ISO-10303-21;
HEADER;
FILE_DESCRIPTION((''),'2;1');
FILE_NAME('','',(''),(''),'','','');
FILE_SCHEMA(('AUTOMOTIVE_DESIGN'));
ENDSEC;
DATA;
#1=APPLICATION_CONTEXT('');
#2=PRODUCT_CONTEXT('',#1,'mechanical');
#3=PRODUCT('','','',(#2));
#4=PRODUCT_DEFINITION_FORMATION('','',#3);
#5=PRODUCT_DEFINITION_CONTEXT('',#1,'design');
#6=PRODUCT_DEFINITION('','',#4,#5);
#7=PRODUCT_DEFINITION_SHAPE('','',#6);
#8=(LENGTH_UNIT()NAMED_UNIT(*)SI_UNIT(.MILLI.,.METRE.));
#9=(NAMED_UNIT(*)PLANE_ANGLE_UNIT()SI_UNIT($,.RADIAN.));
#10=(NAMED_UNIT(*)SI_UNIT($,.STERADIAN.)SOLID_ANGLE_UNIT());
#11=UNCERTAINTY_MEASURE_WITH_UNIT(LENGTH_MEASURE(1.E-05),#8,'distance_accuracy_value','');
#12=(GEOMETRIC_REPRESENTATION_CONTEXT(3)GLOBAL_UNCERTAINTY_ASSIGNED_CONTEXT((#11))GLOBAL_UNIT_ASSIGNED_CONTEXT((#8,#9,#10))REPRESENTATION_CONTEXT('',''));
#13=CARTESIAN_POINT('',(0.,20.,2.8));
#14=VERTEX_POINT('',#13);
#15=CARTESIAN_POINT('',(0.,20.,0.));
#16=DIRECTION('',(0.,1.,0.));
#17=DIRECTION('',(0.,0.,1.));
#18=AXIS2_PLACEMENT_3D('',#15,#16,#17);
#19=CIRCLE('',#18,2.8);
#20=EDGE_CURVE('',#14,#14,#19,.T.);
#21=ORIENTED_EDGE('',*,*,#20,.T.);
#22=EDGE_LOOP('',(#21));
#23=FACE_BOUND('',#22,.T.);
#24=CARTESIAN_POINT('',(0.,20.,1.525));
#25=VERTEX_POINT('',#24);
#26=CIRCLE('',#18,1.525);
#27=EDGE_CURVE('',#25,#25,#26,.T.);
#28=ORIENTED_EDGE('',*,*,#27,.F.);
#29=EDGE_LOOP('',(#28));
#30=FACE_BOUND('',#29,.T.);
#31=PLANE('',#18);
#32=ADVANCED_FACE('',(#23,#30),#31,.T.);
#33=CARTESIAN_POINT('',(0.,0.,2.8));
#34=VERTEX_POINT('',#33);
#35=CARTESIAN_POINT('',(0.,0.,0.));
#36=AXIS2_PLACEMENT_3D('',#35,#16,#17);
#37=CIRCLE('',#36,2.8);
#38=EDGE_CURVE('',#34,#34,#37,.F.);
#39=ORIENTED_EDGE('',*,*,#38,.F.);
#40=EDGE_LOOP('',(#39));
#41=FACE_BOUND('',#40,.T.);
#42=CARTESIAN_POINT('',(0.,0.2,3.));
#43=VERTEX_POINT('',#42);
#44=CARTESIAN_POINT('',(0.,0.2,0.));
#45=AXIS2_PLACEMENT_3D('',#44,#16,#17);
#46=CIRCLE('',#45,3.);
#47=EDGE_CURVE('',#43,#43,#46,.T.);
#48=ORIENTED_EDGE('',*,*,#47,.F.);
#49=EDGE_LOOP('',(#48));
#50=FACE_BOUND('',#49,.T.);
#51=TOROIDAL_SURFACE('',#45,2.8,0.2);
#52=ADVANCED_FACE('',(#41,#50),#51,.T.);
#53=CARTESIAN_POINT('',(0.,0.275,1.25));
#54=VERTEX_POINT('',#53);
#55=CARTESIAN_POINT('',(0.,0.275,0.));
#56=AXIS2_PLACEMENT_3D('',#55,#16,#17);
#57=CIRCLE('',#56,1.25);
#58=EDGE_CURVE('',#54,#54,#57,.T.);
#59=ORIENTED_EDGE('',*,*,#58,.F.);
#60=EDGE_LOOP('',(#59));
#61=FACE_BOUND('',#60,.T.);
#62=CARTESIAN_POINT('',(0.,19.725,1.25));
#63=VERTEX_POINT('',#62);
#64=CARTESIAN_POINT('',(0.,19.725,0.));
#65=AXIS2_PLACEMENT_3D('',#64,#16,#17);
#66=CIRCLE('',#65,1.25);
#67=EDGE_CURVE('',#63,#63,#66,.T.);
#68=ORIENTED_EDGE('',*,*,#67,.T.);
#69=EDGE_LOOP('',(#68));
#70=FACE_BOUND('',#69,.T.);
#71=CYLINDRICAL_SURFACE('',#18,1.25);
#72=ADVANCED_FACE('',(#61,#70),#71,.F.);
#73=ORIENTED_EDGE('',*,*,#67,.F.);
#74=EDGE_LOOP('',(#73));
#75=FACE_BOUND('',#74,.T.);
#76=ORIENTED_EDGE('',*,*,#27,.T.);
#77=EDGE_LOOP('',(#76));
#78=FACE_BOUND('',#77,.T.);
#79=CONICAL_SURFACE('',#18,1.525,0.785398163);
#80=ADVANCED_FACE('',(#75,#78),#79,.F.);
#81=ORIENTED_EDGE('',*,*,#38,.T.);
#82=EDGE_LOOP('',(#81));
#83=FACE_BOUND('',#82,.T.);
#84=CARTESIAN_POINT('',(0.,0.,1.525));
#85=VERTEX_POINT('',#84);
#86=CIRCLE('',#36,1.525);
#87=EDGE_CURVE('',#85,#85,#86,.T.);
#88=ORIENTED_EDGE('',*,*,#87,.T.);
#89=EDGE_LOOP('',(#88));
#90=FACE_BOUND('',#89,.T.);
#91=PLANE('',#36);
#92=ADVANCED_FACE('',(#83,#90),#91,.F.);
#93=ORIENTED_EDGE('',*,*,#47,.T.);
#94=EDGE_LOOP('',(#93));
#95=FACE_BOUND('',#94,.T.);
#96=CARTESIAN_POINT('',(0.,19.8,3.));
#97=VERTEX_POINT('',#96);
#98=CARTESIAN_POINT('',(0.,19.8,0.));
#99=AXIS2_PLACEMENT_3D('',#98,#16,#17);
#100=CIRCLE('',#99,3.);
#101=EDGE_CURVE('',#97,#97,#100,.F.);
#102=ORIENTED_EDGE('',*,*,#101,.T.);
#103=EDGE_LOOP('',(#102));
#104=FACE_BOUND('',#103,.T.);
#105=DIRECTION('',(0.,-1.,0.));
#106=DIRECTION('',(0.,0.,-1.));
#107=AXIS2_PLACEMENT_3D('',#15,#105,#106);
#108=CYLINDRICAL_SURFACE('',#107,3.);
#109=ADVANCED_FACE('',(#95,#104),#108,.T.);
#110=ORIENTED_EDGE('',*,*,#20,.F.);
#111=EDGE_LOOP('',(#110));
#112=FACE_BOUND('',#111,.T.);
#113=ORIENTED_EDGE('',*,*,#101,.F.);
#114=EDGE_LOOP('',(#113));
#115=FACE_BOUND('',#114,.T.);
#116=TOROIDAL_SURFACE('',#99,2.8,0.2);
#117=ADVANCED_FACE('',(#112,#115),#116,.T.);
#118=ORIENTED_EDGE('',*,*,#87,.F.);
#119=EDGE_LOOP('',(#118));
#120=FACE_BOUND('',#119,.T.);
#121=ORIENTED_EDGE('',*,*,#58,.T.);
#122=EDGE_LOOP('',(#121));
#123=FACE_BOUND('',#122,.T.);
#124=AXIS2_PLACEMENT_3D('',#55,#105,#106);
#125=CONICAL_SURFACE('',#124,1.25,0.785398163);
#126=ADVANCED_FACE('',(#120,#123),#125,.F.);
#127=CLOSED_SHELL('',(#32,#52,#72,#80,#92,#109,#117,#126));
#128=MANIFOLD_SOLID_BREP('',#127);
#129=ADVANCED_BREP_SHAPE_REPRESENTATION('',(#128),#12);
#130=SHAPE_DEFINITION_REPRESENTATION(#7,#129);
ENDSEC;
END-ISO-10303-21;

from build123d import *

# Parameters (mm, degrees)
SKETCH1_R           = 3
BOSS_EXTRUDE1_DEPTH = 20
FILLET1_R           = 0.2


with BuildPart() as part:
    # Sketch1 → Boss-Extrude1 (new body)
    with BuildSketch(Plane(origin=(0, 0, 0), x_dir=(1, 0, 0), z_dir=(0, 1, 0))):
        with Locations(Location((0, 0, 0), (0, 0, 270))):
            Circle(SKETCH1_R)
    extrude(amount=BOSS_EXTRUDE1_DEPTH)

    # Fillet1
    fillet1_edges = [part.edges().sort_by_distance(p)[0] for p in [
        (0, 0, -3),
        (0, 20, -3),
    ]]
    fillet(fillet1_edges, radius=FILLET1_R)

    # Sketch3 → M3x0.5 Tapped Hole1 (revolve, cut)
    with BuildSketch(Plane(origin=(0, 20, 0), x_dir=(0, 0, 1), z_dir=(1, 0, 0))):
        Polygon((0, 0), (0, 20), (1.525, 20), (1.25, 19.725), (1.25, 0.275), (1.525, 0), align=None)
    revolve(axis=Axis((0, 26.35, 0), (0, -1, 0)), mode=Mode.SUBTRACT)


solid = part.part
